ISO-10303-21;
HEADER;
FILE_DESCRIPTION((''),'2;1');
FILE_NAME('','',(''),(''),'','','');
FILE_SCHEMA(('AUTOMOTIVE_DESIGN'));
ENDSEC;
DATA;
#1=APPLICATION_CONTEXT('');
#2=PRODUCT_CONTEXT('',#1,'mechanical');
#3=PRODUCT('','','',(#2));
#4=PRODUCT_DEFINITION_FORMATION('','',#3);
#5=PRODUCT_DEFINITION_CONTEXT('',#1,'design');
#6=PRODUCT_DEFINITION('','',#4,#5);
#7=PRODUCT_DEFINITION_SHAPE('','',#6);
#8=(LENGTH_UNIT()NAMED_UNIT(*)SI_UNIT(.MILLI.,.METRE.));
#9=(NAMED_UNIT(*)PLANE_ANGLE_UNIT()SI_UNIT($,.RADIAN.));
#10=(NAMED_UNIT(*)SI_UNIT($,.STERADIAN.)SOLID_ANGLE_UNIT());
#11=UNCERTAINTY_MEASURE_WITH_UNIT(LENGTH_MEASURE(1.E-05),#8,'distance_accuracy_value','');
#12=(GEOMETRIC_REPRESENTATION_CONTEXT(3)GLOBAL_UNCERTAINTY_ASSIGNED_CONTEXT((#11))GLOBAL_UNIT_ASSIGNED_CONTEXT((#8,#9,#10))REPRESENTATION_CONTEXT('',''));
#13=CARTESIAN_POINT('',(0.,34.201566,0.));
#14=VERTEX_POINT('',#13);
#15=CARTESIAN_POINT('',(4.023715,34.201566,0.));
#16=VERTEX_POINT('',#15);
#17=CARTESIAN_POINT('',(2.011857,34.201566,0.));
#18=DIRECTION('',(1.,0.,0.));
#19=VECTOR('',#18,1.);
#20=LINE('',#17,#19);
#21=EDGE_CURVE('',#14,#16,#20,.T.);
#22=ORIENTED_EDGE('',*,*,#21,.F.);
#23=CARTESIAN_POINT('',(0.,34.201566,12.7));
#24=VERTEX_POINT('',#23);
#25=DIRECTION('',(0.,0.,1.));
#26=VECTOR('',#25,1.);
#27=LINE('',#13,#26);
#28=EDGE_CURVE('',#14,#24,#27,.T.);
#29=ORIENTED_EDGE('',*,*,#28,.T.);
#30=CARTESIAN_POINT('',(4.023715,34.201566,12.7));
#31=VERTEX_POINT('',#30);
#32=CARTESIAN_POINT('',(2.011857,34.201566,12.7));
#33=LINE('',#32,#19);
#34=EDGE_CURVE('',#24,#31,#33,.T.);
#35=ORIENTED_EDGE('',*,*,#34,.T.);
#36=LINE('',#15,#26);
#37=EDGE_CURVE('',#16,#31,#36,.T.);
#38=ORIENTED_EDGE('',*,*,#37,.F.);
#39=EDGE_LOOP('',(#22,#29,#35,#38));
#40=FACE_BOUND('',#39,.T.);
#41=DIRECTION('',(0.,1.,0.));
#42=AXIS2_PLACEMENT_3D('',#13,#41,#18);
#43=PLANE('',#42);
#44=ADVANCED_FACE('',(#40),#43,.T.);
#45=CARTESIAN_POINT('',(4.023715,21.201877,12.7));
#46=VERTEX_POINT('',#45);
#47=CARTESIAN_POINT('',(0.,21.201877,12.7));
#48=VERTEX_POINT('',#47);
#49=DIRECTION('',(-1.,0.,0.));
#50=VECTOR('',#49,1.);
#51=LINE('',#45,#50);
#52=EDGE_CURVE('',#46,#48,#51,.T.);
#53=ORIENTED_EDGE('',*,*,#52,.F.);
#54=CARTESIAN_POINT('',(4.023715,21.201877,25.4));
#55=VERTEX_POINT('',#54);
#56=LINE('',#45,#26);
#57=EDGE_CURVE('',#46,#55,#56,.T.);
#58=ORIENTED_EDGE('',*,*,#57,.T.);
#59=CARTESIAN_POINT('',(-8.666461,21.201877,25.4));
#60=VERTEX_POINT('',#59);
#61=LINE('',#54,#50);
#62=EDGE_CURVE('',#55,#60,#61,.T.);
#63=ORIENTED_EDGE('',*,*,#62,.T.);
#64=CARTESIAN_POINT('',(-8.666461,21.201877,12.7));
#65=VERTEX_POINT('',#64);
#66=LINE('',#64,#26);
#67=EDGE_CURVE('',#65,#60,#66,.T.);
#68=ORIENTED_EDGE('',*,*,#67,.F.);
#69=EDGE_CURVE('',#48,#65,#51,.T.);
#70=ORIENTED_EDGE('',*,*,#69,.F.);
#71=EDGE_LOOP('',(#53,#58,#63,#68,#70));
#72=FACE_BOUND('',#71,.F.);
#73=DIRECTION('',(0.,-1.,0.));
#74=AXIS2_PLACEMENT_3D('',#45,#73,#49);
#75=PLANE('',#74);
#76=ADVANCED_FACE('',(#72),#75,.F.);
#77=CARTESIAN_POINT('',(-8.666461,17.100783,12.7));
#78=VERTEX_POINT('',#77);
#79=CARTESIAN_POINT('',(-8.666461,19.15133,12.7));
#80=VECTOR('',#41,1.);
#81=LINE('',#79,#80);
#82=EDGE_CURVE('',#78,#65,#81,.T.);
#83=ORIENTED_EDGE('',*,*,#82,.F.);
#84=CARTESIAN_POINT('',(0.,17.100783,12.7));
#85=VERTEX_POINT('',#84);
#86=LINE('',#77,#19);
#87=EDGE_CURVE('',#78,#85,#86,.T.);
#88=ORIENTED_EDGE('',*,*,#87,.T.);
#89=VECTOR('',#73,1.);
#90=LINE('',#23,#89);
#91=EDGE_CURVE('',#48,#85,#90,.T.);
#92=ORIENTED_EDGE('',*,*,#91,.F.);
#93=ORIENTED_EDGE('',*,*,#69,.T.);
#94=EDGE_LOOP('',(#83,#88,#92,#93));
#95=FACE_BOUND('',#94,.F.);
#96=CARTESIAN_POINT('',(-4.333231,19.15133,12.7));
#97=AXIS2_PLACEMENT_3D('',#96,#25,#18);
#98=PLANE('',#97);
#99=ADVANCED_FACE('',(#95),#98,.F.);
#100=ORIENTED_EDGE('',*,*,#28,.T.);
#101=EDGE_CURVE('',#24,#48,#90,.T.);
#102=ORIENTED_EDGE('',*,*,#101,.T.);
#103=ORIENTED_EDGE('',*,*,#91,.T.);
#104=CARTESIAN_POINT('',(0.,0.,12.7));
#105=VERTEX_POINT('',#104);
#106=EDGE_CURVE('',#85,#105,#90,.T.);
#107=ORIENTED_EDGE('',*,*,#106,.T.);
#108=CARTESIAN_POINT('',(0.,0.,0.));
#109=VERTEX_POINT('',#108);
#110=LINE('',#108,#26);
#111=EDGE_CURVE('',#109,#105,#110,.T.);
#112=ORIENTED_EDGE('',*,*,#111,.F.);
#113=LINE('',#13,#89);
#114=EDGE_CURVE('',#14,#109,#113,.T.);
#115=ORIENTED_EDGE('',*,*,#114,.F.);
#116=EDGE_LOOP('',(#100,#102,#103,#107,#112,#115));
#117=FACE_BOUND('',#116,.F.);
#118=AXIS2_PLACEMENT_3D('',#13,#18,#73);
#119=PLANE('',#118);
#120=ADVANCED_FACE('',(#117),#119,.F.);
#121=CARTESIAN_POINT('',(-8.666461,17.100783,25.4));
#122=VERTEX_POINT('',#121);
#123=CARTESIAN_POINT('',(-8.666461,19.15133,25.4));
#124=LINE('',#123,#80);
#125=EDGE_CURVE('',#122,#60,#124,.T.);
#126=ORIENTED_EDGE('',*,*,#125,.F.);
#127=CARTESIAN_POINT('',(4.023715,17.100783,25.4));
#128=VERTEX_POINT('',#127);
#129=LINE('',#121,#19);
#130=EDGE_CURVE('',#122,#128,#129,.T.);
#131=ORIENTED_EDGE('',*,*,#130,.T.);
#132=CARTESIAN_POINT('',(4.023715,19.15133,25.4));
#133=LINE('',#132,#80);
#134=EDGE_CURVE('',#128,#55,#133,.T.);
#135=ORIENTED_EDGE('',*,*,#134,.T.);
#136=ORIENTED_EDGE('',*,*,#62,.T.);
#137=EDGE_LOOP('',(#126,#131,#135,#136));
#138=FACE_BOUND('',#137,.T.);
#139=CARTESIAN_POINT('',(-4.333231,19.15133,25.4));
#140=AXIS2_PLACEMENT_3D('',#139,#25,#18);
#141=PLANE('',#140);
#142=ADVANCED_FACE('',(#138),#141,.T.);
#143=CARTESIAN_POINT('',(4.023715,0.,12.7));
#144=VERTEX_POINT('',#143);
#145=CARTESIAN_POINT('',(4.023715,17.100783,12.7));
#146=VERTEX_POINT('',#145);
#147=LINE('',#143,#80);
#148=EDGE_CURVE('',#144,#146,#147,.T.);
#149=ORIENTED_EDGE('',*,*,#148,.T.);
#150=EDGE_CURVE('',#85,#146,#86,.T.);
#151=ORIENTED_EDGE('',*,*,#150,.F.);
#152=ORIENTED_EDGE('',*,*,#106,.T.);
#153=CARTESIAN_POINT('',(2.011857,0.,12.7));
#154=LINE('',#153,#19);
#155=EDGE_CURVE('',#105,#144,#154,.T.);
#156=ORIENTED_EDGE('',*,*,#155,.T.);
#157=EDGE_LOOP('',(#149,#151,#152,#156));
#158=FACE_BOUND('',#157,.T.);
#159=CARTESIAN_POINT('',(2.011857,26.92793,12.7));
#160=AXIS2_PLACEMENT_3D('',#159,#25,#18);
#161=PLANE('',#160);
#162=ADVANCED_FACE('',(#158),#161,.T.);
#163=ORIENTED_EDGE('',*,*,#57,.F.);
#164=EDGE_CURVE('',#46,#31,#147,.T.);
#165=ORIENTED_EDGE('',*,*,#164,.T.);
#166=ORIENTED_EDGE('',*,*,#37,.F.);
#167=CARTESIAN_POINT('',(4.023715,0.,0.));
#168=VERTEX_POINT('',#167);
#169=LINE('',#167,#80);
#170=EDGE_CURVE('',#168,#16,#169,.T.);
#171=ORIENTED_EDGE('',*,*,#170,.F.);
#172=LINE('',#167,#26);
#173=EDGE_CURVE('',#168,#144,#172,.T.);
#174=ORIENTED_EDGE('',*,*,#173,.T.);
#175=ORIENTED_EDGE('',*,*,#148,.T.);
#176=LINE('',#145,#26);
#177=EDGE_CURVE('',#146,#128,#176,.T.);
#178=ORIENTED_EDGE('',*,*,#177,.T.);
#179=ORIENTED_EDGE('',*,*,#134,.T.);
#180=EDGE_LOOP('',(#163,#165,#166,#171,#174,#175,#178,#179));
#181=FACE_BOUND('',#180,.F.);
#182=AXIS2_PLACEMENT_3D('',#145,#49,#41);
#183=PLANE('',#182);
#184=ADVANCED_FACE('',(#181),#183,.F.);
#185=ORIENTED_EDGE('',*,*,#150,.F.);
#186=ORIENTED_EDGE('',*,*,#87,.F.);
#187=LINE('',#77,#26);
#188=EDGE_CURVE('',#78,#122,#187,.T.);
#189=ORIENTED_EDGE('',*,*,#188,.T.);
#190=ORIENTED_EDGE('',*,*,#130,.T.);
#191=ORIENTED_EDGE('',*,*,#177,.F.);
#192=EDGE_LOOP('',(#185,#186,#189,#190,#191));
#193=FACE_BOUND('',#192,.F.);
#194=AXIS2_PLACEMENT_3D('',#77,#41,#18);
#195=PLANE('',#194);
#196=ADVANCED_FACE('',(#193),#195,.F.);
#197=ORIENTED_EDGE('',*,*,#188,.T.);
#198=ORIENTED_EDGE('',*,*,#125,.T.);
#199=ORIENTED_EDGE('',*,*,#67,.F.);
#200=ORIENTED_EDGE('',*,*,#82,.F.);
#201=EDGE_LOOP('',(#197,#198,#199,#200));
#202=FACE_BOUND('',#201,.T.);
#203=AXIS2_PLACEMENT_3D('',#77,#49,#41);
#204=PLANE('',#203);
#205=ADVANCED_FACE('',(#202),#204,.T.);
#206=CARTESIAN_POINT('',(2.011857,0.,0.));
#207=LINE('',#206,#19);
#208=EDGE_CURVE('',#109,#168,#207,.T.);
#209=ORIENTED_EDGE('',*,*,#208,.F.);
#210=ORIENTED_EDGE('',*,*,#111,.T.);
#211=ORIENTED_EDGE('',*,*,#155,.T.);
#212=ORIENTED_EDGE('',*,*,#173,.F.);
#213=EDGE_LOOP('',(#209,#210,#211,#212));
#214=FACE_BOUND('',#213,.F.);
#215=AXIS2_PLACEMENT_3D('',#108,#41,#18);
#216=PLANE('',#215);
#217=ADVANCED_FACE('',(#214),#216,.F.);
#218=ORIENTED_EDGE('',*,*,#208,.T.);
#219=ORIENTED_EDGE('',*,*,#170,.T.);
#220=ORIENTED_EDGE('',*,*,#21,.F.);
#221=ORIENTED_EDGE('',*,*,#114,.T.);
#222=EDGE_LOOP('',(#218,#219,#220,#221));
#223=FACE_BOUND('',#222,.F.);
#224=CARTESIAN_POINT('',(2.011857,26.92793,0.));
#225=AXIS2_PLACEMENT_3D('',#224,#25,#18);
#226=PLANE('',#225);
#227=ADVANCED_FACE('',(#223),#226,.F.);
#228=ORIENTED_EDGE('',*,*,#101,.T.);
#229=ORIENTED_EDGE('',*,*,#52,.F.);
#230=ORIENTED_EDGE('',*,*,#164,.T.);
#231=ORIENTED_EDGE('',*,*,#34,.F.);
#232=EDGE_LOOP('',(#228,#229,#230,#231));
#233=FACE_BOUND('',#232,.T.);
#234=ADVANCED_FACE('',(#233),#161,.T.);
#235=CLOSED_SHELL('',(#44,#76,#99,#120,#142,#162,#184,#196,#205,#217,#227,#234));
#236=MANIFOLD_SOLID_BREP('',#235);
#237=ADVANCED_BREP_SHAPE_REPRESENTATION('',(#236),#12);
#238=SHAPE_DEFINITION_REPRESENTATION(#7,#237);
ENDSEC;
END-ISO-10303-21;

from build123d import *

# Parameters (mm, degrees)
F0_W     = 4.0237149224
F0_H     = 14.547271654
F0_H_2   = 2.553511411
F0_H_3   = 17.100783065
F1_DEPTH = 12.7
F2_W     = 8.6664613336
F2_H     = 4.1010938585
F2_W_2   = 4.0237149224
F3_DEPTH = 12.7


with BuildPart() as f1:
    # F0 (on Top) → F1 (new body)
    with BuildSketch(Plane.XY):
        with Locations((2.0118574612, 26.9279303029)):
            Rectangle(F0_W, F0_H)
        with Locations((2.0118574612, 18.3775387704)):
            Rectangle(F0_W, F0_H_2)
        with Locations((2.0118574612, 8.5503915325)):
            Rectangle(F0_W, F0_H_3)
    extrude(amount=F1_DEPTH)

    # F2 (on face) → F3 (join)
    with BuildSketch(Plane.XY.offset(12.7)):
        with Locations((-4.3332306668, 19.1513299942)):
            Rectangle(F2_W, F2_H)
        with Locations((2.0118574612, 19.1513299942)):
            Rectangle(F2_W_2, F2_H)
    extrude(amount=F3_DEPTH)


solid = f1.part
